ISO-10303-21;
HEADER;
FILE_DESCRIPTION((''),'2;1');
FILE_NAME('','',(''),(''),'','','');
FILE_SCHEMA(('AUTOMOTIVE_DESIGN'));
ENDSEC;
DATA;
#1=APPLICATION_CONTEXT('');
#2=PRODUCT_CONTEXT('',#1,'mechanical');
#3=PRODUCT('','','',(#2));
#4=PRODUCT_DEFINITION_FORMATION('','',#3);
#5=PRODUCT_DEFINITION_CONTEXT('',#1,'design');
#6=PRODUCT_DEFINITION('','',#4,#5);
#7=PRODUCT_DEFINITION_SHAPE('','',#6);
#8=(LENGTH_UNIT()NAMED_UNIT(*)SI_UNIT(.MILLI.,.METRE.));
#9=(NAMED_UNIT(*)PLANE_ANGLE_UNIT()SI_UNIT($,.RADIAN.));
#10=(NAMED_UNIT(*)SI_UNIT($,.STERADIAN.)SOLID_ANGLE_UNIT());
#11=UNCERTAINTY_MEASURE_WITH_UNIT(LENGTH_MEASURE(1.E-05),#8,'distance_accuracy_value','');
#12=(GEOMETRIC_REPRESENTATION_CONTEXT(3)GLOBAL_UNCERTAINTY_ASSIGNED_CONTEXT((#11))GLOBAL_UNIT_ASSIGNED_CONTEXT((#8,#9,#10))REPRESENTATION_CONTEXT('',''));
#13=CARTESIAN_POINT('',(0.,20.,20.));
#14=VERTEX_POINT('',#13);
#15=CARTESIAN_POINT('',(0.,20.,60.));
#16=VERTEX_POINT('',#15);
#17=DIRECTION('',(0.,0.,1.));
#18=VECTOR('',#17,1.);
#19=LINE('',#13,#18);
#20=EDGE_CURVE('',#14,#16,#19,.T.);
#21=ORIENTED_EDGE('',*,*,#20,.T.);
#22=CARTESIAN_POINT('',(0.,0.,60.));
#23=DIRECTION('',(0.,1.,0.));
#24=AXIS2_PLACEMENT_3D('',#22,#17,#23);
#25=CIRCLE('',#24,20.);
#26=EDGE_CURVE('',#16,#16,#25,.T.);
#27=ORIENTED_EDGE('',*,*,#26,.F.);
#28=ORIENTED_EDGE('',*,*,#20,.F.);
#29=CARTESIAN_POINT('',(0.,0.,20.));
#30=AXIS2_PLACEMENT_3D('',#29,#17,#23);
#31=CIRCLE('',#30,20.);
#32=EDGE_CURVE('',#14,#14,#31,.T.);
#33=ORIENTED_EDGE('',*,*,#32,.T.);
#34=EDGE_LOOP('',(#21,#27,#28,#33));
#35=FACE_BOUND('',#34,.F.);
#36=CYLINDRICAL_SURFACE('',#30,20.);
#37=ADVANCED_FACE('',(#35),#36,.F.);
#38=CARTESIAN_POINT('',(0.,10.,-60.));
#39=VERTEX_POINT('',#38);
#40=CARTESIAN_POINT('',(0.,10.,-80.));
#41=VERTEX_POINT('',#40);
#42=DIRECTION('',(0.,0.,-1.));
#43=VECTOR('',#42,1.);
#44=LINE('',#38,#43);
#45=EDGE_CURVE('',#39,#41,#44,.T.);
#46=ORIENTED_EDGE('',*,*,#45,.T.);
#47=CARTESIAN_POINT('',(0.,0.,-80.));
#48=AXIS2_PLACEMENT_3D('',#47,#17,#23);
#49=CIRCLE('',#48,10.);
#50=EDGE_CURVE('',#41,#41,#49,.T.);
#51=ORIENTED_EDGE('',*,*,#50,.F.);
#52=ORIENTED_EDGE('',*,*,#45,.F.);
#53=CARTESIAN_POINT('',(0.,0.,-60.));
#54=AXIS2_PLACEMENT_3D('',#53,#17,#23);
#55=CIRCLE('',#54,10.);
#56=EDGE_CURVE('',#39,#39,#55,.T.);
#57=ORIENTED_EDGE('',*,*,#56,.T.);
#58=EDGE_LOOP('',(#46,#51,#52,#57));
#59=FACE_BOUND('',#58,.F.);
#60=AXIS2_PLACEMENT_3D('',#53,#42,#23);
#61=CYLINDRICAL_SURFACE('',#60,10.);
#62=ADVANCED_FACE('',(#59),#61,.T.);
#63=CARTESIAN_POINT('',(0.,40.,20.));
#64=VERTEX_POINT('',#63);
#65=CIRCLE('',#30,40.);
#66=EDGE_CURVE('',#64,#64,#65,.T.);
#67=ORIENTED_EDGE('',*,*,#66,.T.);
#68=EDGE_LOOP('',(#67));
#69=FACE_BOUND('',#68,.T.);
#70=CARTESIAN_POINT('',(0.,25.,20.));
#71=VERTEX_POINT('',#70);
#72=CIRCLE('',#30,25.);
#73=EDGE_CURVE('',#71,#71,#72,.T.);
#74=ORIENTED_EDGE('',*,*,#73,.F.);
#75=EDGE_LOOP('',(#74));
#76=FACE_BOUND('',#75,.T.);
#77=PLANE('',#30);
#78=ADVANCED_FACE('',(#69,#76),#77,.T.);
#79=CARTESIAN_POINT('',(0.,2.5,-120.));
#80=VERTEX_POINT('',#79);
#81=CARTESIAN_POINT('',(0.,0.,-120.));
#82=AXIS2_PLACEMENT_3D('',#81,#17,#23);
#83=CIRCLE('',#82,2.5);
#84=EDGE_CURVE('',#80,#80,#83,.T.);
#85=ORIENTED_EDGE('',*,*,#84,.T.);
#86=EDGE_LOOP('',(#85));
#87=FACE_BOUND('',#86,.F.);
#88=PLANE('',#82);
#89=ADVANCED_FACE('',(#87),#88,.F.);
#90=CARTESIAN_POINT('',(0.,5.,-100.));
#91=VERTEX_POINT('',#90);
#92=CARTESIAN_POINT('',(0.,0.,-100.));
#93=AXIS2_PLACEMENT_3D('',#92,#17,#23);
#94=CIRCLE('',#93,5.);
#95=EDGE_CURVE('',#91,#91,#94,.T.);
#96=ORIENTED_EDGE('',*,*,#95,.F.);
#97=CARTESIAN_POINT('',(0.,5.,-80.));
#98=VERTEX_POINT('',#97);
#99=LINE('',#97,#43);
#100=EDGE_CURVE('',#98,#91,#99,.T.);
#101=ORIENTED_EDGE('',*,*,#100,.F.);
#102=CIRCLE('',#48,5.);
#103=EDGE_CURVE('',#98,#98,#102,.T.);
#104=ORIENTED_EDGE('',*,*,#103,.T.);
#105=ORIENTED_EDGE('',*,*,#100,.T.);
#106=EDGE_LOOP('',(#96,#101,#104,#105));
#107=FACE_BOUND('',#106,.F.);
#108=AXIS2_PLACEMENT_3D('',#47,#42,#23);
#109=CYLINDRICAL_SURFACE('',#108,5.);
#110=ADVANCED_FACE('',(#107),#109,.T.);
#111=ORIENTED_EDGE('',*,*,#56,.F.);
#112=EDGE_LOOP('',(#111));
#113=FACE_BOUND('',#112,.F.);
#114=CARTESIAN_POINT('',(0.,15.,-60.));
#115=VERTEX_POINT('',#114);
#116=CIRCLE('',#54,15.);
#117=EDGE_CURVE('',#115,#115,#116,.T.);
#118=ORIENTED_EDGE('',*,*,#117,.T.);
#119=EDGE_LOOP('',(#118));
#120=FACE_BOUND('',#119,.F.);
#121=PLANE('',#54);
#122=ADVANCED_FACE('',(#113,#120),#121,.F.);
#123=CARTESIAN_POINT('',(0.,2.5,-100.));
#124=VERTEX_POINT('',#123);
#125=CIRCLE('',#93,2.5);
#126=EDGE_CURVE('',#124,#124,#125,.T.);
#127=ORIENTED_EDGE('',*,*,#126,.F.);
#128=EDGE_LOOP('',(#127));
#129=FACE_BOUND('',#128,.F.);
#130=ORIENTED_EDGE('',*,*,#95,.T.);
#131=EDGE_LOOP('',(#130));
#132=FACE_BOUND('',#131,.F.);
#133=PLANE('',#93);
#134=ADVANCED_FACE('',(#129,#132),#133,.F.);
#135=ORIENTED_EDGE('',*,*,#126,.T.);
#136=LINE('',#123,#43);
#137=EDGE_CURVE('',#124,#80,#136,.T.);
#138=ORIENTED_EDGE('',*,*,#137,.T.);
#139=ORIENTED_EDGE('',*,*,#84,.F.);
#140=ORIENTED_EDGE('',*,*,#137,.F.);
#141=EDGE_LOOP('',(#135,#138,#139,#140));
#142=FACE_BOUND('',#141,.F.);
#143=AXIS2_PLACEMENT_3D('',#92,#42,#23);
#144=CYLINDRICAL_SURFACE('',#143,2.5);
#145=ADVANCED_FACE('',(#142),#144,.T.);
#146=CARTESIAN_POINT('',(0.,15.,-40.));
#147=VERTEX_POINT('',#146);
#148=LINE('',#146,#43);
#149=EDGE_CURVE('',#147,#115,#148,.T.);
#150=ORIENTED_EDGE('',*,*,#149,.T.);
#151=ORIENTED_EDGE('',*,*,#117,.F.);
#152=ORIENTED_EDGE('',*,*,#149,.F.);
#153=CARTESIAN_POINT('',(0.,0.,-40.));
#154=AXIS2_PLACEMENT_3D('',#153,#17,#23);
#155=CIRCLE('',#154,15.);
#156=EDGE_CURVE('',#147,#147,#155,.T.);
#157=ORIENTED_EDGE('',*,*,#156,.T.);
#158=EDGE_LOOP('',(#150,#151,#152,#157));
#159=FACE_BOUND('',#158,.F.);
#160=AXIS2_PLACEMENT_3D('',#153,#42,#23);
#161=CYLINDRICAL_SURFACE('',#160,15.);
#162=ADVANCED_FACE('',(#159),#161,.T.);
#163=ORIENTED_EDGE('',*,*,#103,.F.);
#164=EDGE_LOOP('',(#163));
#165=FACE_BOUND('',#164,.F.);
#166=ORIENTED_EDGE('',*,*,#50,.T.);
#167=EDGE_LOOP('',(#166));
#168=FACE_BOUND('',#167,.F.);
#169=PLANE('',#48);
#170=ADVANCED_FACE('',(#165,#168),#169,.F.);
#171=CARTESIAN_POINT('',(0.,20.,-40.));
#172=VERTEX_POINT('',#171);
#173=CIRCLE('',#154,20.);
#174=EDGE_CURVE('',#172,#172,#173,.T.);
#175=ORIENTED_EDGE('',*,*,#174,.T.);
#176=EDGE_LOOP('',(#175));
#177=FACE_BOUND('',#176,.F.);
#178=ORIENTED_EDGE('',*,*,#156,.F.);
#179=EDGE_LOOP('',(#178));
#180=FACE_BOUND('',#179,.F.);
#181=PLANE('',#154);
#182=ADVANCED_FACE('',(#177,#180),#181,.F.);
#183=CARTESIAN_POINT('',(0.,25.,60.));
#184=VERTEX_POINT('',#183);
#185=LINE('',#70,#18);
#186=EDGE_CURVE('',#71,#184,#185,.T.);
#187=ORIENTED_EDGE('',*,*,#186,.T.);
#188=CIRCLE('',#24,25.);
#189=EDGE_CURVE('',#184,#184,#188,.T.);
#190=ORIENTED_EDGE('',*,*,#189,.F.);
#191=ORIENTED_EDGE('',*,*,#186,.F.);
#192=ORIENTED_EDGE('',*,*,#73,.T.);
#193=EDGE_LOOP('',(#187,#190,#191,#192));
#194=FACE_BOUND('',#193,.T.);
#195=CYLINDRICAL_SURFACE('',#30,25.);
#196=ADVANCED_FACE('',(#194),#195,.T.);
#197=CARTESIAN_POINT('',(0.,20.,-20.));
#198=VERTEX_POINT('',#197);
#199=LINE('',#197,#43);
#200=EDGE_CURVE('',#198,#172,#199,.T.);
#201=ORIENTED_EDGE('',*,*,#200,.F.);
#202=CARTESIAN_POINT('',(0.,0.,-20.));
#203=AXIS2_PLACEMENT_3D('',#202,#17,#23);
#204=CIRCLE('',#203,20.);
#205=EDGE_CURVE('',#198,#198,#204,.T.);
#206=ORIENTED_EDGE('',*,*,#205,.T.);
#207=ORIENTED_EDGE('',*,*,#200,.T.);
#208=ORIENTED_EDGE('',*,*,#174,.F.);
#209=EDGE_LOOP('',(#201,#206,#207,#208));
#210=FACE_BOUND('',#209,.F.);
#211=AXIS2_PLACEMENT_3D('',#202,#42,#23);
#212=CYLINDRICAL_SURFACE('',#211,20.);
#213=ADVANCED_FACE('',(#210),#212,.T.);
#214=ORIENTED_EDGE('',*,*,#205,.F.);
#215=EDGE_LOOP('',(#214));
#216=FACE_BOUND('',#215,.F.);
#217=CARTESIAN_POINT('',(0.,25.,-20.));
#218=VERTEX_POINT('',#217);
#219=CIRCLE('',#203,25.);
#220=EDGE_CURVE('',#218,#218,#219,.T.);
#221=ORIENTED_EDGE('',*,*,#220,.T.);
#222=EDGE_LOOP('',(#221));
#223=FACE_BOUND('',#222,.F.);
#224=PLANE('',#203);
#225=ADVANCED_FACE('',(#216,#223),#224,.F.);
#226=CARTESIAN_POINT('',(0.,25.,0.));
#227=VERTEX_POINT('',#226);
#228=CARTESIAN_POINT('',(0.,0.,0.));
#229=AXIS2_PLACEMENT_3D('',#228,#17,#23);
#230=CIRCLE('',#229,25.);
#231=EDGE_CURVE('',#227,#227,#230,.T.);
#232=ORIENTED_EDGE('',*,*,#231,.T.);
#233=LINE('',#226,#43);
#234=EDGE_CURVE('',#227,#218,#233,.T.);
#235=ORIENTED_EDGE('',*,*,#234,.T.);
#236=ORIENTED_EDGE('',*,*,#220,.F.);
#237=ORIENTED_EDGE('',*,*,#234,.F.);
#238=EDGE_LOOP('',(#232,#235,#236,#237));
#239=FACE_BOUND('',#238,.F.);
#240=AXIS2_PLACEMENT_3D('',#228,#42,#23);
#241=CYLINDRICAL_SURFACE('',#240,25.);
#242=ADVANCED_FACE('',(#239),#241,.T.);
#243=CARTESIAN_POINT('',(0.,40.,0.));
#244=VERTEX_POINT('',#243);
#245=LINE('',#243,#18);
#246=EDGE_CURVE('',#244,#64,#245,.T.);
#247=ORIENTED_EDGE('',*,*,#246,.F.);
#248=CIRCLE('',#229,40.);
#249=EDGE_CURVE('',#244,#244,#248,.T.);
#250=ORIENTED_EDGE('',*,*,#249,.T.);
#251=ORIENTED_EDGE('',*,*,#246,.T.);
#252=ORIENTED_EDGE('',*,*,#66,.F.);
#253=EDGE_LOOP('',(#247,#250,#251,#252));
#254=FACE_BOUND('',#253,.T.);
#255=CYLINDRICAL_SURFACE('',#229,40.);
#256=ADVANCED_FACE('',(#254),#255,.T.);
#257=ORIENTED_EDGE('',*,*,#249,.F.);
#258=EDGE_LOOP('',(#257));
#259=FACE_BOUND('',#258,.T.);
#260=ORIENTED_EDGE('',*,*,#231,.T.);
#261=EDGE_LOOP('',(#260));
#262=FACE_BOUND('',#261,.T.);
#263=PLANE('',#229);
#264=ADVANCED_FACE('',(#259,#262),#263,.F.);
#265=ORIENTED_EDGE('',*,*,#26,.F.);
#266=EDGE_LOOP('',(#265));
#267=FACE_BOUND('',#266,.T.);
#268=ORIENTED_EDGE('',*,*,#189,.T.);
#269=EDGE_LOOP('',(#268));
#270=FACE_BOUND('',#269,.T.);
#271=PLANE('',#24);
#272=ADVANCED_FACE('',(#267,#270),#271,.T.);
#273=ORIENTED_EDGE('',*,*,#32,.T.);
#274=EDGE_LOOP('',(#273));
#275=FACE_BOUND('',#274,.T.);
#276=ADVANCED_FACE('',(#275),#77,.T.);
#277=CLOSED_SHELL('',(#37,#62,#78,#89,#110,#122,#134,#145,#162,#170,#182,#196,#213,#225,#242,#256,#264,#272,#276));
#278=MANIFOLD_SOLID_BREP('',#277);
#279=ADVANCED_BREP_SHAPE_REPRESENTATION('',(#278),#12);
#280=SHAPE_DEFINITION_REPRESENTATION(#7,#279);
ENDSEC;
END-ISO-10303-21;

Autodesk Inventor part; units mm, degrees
ref_plane "YZ Plane" through (0, 0, 0) normal (1, 0, 0) x (0, 1, 0)
ref_plane "XZ Plane" through (0, 0, 0) normal (0, 1, 0) x (-1, 0, 0)
ref_plane "XY Plane" through (0, 0, 0) normal (0, 0, 1) x (1, 0, 0)
sketch "草圖1" plane through (0, 0, 0) normal (1, 0, 0) x (0, 1, 0)
  line L0 (-8, 0) -> (48, 0) projected
  line L1 (0, -156) -> (0, 96) projected
  line L2 (0, 0) -> (40, 0)
  line L3 (40, 0) -> (40, 20)
  line L4 (40, 20) -> (0, 20)
  line L5 (0, 20) -> (0, 0)
  line L6 (0, 20) -> (25, 20)
  line L7 (25, 20) -> (25, 60)
  line L8 (25, 60) -> (0, 60)
  line L9 (0, 60) -> (0, 20)
  line L10 (0, 20) -> (20, 20)
  line L11 (20, 20) -> (20, 60)
  line L12 (20, 60) -> (0, 60)
  line L13 (0, 60) -> (0, 20)
  line L14 (0, 0) -> (25, 0)
  line L15 (25, 0) -> (25, -20)
  line L16 (25, -20) -> (0, -20)
  line L17 (0, -20) -> (0, 0)
  line L18 (0, -20) -> (20, -20)
  line L19 (20, -20) -> (20, -40)
  line L20 (20, -40) -> (0, -40)
  line L21 (0, -40) -> (0, -20)
  line L22 (0, -40) -> (15, -40)
  line L23 (15, -40) -> (15, -60)
  line L24 (15, -60) -> (0, -60)
  line L25 (0, -60) -> (0, -40)
  line L26 (0, -60) -> (10, -60)
  line L27 (10, -60) -> (10, -80)
  line L28 (10, -80) -> (0, -80)
  line L29 (0, -80) -> (0, -60)
  line L30 (0, -80) -> (5, -80)
  line L31 (5, -80) -> (5, -100)
  line L32 (5, -100) -> (0, -100)
  line L33 (0, -100) -> (0, -80)
  line L34 (0, -100) -> (2.5, -100)
  line L35 (2.5, -100) -> (2.5, -120)
  line L36 (2.5, -120) -> (0, -120)
  line L37 (0, -120) -> (0, -100)
  dimension "d0" = 40
  dimension "d1" = 20
  dimension "d2" = 25
  dimension "d3" = 40
  dimension "d4" = 20
  dimension "d5" = 25
  dimension "d6" = 20
  dimension "d7" = 20
  dimension "d8" = 20
  dimension "d9" = 15
  dimension "d10" = 20
  dimension "d11" = 10
  dimension "d12" = 20
  dimension "d13" = 5
  dimension "d14" = 20
  dimension "d15" = 2.5
  dimension "d16" = 20
revolve "迴轉1" add sketch "草圖1" angle 360 about axis through (0, 0, -60) along (0, 0, 1) contours L1 L4 L3 L0 | L0 L15 L16 L1 | L16 L19 L20 L1 | L20 L23 L24 L1 | L11 L8 L7 L4 | L24 L27 L28 L1 | L28 L31 L32 L1 | L32 L35 L36 L1
properties part number "exercise1-3"
